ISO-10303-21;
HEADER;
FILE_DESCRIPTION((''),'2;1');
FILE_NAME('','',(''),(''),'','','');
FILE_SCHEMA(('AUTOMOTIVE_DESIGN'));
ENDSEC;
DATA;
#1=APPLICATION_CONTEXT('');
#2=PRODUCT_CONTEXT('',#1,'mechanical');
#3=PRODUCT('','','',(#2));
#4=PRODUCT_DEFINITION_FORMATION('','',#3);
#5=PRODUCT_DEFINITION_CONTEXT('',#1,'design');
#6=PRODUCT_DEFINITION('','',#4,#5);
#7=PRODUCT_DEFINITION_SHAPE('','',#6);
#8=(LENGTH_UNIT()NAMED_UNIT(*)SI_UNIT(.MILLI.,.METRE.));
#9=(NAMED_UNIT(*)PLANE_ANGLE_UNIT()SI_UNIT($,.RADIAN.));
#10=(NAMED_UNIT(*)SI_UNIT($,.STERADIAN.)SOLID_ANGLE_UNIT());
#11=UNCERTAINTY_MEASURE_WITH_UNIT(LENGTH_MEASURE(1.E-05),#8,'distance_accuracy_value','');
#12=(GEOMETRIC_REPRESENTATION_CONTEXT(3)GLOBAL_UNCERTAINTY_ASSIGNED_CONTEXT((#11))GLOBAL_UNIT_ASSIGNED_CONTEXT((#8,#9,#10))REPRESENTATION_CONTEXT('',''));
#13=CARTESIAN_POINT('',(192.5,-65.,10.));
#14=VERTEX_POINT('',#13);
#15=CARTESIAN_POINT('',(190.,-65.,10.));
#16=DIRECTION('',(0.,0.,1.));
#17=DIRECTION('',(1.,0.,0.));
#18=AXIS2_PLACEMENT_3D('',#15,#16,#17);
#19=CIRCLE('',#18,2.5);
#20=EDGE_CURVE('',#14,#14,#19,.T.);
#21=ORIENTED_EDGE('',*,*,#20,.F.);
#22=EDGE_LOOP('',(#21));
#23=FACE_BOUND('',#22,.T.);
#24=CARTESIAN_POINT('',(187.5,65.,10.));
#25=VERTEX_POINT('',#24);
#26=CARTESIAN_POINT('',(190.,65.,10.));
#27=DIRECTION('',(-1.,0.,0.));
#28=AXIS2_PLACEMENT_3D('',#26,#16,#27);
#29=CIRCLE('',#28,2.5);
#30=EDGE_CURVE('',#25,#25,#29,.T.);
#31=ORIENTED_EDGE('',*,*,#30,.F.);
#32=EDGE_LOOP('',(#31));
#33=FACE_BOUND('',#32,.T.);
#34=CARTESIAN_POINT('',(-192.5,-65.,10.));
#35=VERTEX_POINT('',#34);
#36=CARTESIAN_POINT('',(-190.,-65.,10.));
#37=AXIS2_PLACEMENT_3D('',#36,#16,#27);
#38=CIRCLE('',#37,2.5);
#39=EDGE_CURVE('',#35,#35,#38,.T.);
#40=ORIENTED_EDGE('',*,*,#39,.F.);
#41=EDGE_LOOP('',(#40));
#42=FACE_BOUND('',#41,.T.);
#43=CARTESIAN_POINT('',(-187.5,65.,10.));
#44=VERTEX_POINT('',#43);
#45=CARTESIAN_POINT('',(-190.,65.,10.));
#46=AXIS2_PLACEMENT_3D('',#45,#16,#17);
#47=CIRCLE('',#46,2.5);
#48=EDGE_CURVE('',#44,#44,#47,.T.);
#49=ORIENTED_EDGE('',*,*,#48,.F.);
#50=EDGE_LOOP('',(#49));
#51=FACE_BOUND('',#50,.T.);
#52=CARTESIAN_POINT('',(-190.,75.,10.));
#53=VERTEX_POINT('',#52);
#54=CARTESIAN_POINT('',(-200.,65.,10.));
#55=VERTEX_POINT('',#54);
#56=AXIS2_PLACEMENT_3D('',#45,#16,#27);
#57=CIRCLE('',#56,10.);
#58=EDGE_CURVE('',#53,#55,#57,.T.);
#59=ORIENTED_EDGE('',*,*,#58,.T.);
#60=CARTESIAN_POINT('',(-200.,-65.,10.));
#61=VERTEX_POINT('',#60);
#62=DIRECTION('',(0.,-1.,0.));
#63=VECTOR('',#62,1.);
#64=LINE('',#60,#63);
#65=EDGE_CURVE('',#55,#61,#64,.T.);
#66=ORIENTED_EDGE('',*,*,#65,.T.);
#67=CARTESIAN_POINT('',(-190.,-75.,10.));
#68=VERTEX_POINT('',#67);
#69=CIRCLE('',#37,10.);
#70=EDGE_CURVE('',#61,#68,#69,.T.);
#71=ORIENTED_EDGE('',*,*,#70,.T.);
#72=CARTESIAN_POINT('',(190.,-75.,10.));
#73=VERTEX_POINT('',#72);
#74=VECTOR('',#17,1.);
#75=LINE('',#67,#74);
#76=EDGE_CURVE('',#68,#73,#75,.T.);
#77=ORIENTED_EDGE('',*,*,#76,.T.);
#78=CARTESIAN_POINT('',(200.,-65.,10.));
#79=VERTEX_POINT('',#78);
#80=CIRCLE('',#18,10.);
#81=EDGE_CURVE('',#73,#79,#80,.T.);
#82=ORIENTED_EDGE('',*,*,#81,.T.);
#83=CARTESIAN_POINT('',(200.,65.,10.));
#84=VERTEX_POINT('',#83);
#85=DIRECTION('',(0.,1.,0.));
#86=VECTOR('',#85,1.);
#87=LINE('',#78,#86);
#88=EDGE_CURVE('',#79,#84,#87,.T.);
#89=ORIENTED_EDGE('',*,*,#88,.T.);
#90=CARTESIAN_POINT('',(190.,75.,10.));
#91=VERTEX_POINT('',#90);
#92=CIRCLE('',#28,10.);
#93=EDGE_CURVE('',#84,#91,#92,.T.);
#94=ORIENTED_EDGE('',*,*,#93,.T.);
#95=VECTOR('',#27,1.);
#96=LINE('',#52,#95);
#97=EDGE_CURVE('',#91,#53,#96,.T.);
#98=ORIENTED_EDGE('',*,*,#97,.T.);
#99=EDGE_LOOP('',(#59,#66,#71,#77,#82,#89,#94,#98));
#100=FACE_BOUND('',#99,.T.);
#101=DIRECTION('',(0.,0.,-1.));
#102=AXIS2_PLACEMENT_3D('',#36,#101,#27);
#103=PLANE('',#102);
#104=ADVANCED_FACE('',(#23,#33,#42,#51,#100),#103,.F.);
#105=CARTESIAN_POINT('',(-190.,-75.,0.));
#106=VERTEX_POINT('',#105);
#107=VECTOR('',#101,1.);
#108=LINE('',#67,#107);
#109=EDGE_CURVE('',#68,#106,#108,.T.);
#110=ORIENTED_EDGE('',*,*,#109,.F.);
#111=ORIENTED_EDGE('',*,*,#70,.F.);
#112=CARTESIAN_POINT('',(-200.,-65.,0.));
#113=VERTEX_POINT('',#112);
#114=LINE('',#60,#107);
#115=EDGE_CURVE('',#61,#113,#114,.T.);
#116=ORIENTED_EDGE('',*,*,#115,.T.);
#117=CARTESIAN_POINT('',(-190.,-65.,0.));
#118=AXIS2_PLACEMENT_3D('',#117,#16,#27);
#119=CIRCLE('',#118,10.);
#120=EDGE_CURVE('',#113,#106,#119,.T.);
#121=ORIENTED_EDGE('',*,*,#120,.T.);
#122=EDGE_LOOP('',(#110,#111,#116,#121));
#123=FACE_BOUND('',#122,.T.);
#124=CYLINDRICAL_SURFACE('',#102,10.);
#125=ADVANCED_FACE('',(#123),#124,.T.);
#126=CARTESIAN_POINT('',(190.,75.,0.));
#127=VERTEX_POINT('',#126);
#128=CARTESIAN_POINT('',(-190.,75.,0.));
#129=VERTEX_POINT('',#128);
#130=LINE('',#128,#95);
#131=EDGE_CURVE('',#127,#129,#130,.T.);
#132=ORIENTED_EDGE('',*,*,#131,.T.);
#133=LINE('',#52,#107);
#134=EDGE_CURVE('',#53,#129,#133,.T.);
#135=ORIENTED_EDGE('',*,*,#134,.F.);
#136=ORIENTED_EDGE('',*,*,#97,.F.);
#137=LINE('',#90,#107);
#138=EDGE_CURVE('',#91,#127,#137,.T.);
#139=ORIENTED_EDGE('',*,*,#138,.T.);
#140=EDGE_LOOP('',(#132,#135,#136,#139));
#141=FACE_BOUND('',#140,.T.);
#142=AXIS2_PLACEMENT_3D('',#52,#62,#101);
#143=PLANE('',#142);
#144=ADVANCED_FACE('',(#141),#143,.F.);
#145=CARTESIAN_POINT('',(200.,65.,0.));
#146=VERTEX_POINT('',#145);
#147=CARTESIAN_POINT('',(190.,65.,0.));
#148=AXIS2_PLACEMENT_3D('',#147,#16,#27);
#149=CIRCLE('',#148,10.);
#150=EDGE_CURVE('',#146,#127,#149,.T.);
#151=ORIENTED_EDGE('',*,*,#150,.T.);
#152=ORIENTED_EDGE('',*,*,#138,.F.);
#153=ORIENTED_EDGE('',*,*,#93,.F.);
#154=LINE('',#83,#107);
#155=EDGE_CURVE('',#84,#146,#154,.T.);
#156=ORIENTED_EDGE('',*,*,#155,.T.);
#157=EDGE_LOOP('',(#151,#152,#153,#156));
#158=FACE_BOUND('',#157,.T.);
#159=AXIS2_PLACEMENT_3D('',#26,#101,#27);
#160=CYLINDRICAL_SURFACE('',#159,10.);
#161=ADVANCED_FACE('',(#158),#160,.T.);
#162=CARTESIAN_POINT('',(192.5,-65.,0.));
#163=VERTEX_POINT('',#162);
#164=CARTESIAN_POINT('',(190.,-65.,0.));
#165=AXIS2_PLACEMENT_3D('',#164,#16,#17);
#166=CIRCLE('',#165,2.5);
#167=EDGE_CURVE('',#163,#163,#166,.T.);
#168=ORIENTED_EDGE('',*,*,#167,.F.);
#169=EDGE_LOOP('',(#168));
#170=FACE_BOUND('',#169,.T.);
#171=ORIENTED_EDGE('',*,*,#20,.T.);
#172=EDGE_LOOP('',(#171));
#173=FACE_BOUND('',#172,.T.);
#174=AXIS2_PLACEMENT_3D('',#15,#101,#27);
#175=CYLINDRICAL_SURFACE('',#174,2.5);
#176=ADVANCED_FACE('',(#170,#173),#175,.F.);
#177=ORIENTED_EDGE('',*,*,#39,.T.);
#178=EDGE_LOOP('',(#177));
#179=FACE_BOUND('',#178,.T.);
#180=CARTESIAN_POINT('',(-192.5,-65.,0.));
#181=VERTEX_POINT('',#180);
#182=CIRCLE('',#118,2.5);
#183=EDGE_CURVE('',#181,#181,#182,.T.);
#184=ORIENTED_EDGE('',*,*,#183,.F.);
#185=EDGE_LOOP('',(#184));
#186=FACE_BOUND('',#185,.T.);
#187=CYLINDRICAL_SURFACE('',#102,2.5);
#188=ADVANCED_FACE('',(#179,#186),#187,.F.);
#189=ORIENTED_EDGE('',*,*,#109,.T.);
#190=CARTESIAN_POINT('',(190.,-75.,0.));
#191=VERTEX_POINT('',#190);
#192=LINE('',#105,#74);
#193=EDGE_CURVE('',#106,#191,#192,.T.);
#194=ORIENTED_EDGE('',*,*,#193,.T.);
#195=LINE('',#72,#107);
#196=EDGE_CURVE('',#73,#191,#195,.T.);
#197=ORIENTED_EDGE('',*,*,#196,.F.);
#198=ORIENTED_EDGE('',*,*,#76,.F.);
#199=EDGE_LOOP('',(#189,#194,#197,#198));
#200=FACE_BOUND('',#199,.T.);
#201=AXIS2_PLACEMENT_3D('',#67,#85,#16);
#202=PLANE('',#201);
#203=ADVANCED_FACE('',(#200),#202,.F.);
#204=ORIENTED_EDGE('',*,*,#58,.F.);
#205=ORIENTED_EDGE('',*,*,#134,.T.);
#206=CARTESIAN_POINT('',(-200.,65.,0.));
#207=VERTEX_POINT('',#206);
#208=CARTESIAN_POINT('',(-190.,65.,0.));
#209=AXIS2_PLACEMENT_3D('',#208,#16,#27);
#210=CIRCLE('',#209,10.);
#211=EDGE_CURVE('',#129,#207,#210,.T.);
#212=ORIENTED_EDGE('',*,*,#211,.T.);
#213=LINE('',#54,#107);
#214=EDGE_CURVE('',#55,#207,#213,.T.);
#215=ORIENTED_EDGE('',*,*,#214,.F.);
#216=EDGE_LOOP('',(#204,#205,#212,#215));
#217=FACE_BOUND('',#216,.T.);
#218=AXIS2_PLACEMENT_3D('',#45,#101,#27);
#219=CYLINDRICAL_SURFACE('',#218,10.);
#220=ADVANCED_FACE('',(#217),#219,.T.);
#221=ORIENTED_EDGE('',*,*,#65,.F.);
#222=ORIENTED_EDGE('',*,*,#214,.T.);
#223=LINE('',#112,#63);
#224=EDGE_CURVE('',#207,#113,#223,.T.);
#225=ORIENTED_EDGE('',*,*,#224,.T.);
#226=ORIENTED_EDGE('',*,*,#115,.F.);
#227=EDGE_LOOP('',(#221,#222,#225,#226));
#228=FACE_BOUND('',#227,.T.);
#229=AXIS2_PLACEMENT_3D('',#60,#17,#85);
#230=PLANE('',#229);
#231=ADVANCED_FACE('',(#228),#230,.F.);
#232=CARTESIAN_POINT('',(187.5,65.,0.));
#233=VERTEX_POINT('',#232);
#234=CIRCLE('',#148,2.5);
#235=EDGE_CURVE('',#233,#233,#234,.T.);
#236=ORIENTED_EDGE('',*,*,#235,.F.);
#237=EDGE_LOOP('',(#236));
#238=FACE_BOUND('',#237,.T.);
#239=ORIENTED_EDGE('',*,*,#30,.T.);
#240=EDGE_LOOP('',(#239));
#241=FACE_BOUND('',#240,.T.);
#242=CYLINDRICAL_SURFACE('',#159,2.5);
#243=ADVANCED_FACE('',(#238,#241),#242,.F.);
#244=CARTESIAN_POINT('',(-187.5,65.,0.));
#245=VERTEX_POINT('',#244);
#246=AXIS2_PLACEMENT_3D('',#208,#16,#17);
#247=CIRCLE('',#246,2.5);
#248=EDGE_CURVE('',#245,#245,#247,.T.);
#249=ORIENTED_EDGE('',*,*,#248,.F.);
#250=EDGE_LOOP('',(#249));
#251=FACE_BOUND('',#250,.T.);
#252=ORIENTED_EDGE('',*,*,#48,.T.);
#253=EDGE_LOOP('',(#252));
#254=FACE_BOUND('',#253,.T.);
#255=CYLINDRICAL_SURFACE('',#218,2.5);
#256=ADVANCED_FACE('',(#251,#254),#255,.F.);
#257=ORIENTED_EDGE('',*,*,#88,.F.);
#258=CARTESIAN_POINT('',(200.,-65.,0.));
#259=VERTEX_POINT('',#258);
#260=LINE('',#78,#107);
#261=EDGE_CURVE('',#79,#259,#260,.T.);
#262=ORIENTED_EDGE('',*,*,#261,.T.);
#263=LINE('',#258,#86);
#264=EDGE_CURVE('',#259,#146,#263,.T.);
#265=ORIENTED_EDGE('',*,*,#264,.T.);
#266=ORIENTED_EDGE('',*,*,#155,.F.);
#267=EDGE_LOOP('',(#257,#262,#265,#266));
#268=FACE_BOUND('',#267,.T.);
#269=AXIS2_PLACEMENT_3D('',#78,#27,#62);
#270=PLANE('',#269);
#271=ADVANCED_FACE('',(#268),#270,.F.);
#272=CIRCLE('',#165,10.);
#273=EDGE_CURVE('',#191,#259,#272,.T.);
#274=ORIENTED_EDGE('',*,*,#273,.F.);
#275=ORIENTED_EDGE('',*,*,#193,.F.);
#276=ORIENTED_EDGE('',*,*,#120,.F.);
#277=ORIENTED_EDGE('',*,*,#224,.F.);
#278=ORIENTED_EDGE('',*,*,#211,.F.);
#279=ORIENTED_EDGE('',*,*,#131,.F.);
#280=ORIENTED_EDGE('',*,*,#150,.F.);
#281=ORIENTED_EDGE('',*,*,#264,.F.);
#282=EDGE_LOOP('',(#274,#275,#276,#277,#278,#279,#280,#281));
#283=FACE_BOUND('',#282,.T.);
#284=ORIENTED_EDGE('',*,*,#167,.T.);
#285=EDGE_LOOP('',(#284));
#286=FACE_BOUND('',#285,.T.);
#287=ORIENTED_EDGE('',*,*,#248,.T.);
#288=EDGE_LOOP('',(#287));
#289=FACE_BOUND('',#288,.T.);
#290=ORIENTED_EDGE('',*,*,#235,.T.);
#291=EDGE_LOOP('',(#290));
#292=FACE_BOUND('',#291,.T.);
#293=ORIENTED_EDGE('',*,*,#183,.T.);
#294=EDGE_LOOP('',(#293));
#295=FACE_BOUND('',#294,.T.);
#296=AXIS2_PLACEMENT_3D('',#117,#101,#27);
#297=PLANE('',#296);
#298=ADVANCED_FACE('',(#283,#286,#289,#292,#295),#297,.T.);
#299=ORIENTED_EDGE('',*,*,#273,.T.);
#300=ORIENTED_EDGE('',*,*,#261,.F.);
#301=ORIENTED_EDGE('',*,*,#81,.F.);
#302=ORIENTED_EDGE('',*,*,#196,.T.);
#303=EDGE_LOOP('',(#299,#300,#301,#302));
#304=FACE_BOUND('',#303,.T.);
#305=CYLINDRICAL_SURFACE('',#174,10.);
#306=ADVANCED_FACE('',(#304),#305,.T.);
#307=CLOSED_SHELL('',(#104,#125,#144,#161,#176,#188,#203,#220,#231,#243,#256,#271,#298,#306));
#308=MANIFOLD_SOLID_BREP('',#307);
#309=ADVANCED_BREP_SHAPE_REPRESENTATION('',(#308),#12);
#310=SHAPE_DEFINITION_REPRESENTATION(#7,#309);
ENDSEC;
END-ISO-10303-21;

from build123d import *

# Parameters (mm, degrees)
SKETCH1_R           = 2.5
BOSS_EXTRUDE1_DEPTH = 10


with BuildPart() as part:
    # Sketch1 → Boss-Extrude1 (new body)
    with BuildSketch(Plane.XY):
        with BuildLine():
            Line((-190, -75), (190, -75))
            ThreePointArc((190, -75), (197.071067812, -72.071067812), (200, -65))
            Line((200, -65), (200, 65))
            ThreePointArc((200, 65), (197.071067812, 72.071067812), (190, 75))
            Line((190, 75), (-190, 75))
            ThreePointArc((-190, 75), (-197.071067812, 72.071067812), (-200, 65))
            Line((-200, 65), (-200, -65))
            ThreePointArc((-200, -65), (-197.071067812, -72.071067812), (-190, -75))
        make_face()
        with Locations((-190, 65)):
            Circle(SKETCH1_R, mode=Mode.SUBTRACT)
        with Locations(Location((-190, -65, 0), (0, 0, 180))):
            Circle(SKETCH1_R, mode=Mode.SUBTRACT)
        with Locations((190, -65)):
            Circle(SKETCH1_R, mode=Mode.SUBTRACT)
        with Locations(Location((190, 65, 0), (0, 0, 180))):
            Circle(SKETCH1_R, mode=Mode.SUBTRACT)
    extrude(amount=BOSS_EXTRUDE1_DEPTH)


solid = part.part
